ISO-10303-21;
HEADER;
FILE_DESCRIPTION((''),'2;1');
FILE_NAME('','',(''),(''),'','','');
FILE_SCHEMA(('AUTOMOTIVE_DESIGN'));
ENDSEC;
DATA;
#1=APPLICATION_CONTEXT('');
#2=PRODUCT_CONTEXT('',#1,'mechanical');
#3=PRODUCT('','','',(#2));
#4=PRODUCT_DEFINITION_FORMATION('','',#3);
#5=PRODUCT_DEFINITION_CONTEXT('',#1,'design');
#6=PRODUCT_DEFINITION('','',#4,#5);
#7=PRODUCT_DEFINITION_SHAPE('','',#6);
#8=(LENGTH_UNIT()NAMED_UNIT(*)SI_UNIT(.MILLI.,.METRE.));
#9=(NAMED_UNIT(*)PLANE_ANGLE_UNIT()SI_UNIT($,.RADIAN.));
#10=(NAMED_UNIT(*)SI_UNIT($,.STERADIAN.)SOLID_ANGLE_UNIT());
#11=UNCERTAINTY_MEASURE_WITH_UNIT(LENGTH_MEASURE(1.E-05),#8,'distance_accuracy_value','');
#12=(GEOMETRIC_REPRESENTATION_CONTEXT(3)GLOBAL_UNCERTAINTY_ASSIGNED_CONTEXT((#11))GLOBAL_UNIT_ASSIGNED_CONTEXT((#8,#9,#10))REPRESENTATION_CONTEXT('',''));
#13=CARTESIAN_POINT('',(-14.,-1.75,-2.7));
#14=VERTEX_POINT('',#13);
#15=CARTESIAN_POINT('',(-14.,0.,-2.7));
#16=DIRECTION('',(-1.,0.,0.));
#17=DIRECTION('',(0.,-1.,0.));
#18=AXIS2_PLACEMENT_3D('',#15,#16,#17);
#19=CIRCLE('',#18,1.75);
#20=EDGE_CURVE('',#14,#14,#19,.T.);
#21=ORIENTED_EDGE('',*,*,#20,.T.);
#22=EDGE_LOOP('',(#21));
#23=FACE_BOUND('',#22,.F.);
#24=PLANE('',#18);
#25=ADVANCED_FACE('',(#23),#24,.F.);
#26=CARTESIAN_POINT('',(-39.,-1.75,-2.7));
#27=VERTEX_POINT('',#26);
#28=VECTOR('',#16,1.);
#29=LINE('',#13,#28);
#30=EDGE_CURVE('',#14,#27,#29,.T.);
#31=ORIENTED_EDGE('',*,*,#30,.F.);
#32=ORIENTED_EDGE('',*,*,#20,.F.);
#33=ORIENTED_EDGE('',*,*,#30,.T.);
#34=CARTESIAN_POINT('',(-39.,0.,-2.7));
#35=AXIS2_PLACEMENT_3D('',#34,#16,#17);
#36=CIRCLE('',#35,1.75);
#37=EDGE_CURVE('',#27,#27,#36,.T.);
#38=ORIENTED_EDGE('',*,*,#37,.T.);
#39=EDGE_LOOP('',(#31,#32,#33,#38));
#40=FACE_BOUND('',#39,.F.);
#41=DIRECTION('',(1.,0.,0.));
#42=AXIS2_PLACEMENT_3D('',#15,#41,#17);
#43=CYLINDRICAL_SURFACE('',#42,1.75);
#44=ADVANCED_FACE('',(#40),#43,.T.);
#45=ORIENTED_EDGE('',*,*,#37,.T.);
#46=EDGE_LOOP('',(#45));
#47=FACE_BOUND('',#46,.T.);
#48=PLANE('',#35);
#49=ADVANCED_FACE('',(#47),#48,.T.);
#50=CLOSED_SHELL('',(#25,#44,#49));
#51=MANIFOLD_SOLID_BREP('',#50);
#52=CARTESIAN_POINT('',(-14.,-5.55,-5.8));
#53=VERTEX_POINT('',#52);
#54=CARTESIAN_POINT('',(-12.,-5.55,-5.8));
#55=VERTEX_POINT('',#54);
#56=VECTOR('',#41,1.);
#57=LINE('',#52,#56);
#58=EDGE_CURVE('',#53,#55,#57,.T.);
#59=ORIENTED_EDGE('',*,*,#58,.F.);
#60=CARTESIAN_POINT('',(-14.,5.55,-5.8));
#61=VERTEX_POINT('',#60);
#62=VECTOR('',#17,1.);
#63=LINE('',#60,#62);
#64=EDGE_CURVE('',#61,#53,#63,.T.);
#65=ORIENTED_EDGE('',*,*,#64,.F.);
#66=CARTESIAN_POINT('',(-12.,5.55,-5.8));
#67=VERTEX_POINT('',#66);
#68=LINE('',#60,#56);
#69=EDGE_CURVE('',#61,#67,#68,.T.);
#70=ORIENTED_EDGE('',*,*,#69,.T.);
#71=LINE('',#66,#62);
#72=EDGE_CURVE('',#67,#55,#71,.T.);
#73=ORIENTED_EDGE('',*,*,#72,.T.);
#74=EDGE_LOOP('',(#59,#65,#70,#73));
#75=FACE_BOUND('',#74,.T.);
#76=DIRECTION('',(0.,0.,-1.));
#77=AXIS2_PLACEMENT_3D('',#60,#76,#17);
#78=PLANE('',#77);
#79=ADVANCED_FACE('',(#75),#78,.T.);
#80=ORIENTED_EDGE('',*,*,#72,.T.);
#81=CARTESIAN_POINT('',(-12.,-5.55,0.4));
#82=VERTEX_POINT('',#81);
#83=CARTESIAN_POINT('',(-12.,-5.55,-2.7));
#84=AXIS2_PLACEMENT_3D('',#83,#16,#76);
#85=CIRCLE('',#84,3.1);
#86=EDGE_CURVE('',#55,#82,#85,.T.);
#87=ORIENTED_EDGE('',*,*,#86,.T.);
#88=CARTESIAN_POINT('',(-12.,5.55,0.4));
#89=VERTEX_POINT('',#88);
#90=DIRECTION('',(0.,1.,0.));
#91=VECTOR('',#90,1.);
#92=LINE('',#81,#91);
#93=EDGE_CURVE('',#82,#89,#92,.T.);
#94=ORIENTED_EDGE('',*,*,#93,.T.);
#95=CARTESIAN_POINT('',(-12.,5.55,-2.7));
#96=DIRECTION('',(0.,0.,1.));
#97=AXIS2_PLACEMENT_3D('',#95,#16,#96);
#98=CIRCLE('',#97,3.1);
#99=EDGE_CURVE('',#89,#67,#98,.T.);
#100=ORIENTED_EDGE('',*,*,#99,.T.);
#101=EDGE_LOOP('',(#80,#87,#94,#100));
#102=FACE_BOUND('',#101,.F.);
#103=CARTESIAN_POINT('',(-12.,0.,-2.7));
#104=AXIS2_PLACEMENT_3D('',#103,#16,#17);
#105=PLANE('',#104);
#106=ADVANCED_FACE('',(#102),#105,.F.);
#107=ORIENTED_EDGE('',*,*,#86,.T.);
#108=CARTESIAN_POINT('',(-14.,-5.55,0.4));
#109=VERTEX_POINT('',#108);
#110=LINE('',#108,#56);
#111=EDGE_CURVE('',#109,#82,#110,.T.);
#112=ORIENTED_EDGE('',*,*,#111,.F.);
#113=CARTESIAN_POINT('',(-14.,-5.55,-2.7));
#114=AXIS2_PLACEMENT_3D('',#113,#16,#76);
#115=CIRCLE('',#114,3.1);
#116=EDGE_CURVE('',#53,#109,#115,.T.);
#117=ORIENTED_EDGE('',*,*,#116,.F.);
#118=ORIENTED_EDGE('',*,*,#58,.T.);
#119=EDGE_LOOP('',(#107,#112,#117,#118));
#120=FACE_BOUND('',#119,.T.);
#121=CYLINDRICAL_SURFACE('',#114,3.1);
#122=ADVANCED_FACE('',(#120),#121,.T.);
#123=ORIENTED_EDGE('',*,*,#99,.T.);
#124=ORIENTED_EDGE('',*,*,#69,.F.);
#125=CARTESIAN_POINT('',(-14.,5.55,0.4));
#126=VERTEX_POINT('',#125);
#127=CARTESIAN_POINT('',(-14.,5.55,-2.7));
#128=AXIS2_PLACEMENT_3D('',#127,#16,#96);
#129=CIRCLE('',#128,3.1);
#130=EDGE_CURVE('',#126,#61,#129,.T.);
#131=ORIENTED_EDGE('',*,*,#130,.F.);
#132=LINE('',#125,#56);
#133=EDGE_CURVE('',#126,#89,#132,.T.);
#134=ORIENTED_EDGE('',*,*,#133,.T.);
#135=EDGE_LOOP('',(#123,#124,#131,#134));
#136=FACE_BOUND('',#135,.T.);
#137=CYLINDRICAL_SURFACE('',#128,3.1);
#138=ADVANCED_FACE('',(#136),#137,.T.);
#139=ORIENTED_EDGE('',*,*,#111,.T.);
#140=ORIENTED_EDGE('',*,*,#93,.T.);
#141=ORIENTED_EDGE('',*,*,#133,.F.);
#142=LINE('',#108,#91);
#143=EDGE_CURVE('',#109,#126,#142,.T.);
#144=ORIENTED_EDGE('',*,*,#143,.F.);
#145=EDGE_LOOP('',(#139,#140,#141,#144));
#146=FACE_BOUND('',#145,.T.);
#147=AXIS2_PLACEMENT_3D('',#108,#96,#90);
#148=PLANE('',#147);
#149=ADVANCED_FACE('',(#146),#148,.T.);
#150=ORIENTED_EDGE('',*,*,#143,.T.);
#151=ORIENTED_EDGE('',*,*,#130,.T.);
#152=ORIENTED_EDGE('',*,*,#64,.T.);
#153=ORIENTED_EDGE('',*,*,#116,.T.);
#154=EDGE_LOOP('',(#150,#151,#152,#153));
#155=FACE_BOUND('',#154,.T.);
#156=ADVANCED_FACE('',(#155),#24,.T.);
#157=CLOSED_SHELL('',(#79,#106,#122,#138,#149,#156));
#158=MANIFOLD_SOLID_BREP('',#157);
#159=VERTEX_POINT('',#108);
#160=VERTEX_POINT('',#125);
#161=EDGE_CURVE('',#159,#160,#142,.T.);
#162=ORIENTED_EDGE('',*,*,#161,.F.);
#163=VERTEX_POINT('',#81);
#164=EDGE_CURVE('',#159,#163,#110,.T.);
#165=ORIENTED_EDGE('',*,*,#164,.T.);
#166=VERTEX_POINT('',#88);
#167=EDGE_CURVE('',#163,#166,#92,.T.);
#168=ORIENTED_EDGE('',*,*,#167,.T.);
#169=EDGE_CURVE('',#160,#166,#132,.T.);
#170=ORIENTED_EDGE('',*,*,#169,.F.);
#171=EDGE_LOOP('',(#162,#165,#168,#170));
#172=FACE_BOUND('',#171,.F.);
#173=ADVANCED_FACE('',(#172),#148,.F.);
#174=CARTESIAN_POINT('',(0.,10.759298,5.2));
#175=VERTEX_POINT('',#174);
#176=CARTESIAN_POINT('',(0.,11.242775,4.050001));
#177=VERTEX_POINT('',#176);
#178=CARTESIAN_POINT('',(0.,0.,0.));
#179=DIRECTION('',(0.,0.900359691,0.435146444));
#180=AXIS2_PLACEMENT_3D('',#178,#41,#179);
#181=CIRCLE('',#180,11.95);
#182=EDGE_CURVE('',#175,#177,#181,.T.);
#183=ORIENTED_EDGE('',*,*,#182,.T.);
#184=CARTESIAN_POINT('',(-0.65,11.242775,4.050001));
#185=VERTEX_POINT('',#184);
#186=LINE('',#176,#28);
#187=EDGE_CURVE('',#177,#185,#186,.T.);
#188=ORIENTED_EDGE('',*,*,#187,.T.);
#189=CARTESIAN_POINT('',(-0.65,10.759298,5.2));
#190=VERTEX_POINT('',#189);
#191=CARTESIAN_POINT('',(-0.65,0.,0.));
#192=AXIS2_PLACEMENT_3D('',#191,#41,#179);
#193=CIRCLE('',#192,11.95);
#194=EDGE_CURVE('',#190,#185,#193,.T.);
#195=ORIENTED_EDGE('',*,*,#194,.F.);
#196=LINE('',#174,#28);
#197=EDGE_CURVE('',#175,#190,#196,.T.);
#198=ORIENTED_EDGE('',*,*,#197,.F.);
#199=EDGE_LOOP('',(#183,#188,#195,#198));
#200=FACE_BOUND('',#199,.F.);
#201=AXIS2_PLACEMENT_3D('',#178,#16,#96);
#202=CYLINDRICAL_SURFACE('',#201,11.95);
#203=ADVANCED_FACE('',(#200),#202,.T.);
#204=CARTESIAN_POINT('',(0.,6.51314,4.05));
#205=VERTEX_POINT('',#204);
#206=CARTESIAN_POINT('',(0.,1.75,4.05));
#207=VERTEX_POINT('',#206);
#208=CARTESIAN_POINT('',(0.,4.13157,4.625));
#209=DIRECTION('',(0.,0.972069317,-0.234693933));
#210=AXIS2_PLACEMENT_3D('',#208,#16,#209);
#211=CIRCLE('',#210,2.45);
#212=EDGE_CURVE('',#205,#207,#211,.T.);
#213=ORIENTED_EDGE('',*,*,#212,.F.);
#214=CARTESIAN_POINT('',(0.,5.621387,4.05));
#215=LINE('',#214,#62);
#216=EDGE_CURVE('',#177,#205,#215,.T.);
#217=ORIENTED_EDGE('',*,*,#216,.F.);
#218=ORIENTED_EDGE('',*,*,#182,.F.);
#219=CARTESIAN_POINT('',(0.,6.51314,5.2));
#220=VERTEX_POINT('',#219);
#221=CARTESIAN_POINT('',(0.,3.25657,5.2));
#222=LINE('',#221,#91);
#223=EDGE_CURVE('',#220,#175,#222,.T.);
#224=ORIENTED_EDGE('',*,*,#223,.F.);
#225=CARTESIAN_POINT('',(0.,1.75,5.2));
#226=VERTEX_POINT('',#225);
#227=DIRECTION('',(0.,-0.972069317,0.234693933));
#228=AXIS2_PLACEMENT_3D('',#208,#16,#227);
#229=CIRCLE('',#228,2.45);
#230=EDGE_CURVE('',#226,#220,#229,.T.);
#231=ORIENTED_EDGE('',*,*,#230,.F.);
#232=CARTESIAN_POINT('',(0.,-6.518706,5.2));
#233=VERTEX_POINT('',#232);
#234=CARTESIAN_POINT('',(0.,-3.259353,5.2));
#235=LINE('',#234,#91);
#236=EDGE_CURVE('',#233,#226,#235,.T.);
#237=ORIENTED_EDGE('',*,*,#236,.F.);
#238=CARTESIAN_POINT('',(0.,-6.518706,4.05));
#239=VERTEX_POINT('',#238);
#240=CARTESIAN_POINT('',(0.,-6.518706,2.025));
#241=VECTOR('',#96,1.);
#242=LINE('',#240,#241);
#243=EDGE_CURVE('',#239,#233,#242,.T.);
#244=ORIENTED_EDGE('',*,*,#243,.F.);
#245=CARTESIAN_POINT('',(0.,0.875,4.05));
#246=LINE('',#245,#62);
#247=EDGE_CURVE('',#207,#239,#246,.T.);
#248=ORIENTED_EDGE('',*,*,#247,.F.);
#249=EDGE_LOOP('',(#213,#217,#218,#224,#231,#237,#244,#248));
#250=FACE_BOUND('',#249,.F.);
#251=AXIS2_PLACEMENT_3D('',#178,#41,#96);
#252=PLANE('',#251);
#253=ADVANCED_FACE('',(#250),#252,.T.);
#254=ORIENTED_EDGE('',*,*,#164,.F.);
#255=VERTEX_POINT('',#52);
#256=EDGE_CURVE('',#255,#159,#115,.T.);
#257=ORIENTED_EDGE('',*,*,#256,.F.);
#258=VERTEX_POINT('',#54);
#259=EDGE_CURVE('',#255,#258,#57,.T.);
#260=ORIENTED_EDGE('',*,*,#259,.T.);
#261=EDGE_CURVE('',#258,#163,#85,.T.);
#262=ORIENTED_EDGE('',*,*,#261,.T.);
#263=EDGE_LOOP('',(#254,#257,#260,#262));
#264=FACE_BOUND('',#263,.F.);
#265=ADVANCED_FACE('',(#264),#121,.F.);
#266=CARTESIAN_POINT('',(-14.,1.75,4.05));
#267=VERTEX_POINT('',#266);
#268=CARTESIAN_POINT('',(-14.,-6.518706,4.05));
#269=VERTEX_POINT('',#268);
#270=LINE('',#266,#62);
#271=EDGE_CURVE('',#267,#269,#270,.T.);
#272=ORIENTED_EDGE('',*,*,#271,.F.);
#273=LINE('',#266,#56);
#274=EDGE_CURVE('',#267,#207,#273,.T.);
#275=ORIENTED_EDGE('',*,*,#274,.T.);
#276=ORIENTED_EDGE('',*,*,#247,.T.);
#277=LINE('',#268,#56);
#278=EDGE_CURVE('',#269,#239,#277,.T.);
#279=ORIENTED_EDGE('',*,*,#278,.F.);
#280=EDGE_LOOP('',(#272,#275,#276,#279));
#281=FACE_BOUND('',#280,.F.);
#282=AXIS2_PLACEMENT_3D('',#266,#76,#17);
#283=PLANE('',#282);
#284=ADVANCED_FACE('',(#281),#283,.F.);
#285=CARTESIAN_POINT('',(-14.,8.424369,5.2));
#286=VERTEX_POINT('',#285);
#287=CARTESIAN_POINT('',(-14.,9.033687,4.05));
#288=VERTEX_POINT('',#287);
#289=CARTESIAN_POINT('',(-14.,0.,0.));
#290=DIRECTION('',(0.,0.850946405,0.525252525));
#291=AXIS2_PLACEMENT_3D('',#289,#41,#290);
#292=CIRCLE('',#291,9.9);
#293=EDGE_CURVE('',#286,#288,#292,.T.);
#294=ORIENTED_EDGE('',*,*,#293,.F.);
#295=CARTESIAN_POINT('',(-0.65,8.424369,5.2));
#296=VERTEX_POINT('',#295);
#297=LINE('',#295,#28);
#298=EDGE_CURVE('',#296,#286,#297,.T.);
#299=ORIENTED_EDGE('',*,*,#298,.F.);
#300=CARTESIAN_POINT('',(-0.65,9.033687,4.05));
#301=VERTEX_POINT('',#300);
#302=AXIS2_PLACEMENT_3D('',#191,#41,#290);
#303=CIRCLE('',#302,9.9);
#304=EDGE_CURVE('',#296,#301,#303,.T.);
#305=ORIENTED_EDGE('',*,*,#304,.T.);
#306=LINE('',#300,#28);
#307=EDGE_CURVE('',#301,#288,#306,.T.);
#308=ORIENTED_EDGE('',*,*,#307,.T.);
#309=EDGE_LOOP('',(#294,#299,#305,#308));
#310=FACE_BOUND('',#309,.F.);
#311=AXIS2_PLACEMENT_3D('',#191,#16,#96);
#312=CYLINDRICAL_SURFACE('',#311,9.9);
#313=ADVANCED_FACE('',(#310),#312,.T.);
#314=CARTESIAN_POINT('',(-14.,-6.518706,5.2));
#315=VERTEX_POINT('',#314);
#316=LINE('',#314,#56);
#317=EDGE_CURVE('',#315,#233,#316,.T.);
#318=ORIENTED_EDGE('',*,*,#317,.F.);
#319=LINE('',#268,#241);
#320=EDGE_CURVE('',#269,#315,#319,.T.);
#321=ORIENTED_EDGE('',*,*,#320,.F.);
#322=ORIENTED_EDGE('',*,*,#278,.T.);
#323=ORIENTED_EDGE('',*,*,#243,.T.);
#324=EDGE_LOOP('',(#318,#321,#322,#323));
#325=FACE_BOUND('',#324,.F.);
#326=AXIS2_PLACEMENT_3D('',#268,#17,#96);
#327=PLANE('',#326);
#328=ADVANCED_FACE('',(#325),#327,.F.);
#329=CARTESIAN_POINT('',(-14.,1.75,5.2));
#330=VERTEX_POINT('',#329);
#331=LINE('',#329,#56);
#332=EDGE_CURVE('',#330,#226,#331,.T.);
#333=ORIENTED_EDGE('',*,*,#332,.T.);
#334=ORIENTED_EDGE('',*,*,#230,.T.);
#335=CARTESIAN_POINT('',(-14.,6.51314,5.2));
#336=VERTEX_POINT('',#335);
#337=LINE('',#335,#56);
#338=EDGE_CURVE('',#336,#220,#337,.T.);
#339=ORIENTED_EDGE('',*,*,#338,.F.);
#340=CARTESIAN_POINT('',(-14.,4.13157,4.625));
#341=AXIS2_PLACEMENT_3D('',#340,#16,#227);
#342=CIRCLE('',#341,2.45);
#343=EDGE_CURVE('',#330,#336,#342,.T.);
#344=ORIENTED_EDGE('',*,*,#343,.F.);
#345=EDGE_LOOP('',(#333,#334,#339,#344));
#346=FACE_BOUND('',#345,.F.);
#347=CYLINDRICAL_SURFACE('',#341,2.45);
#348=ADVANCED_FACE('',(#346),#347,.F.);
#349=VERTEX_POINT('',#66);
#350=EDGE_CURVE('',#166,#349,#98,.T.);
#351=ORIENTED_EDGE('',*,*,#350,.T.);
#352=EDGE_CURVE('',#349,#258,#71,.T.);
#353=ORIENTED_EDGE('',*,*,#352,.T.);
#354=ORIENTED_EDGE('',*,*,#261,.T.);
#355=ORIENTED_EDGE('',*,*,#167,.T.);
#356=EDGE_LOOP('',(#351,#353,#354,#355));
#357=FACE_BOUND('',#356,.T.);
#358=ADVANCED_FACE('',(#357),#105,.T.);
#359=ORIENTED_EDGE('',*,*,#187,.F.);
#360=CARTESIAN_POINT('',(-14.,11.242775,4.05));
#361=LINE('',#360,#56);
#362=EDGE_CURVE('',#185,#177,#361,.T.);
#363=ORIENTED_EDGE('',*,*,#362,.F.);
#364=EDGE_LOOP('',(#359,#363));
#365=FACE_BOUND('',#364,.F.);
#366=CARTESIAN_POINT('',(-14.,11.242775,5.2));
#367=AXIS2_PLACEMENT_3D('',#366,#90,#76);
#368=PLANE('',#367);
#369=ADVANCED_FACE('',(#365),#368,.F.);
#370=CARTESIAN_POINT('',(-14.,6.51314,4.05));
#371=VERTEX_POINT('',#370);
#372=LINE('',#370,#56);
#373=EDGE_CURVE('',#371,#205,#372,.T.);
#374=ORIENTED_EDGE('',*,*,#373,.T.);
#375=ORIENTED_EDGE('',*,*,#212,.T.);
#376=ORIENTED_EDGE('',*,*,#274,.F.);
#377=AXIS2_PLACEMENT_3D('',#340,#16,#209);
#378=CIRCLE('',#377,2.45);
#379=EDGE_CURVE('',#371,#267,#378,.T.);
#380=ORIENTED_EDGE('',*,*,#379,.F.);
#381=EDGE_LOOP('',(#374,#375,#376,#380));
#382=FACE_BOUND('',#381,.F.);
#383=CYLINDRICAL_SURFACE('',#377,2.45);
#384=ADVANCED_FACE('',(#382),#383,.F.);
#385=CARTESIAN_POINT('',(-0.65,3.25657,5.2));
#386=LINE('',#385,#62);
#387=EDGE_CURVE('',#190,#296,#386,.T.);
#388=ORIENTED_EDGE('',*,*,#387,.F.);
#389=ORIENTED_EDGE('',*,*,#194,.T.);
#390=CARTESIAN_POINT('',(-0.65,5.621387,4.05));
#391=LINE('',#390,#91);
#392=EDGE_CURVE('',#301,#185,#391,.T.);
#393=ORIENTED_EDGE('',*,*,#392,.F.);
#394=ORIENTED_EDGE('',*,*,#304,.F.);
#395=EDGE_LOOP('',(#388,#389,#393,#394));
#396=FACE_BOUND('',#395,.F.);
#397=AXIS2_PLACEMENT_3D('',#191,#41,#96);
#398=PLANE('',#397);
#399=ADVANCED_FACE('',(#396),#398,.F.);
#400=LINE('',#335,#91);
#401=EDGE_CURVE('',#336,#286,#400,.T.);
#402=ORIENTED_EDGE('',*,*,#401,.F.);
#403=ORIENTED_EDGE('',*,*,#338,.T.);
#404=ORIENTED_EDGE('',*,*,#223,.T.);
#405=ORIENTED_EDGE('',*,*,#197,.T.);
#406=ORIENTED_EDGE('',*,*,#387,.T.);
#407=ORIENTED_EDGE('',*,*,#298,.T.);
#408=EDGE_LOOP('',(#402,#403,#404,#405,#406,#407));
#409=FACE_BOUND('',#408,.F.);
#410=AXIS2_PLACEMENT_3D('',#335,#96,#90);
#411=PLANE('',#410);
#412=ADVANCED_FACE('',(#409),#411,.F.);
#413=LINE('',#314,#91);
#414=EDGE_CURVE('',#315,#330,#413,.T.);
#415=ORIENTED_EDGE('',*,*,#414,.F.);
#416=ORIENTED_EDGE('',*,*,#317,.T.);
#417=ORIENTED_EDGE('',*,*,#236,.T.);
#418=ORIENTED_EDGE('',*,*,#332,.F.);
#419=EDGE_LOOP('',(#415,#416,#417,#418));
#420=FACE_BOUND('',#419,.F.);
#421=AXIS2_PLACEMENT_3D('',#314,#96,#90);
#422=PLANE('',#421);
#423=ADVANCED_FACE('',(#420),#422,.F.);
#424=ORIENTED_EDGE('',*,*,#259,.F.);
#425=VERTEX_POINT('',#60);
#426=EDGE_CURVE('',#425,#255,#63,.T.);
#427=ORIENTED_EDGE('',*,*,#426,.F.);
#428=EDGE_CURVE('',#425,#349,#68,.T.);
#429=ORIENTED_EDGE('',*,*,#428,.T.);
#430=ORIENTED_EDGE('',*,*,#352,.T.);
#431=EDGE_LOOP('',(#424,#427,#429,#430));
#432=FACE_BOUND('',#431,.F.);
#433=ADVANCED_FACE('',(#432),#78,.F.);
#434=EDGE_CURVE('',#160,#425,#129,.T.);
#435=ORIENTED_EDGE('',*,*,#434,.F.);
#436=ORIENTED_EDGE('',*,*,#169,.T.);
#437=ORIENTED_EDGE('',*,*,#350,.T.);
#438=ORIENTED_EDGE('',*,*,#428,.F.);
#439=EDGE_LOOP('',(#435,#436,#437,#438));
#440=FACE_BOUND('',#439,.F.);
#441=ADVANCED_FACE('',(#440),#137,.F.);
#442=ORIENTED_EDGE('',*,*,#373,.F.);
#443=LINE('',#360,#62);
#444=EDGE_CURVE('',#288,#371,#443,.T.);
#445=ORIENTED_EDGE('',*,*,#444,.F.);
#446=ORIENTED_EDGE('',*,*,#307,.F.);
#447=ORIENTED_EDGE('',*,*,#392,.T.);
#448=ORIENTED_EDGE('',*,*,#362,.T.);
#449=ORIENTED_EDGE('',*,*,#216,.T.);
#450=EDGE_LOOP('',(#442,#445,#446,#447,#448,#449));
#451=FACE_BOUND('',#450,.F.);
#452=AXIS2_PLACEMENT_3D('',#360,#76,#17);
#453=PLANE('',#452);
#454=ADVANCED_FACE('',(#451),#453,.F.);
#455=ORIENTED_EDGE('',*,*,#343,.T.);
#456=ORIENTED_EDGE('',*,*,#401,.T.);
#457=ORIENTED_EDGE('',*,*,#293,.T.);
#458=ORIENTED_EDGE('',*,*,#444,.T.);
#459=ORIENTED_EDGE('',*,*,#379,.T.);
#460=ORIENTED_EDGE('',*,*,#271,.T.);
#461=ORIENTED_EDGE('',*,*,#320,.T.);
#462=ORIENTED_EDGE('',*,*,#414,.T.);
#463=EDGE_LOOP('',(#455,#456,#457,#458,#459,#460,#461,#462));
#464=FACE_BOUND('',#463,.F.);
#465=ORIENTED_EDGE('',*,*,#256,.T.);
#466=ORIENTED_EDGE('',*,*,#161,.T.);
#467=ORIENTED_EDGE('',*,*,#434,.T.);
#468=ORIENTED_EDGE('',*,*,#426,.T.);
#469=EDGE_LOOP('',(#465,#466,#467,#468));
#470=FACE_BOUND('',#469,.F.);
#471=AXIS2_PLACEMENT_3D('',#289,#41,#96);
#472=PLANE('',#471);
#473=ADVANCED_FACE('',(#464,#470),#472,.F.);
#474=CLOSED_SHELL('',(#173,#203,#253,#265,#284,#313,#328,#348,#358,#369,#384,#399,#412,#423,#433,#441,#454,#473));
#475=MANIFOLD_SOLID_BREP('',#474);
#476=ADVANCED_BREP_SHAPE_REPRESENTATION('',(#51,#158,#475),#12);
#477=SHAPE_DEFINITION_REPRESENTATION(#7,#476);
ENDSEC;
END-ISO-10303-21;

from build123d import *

# Parameters (mm, degrees)
F3_DEPTH = 14.001
F4_DEPTH = 14.001
F6_DEPTH = 2
F7_DEPTH = 2
F8_R     = 1.75
F9_DEPTH = 25


with BuildPart() as f1:
    # F0 (on Front) → F1 (revolve)
    with BuildSketch(Plane.XZ):
        Polygon((-14, 0), (0, 0), (0, 11.95), (-0.65, 11.95), (-0.65, 9.9), (-14, 9.9), align=None)
    revolve(axis=Axis((-7, 0, 0), (1, 0, 0)))

    # F2 (on face) → F3 (cut, through all)
    with BuildSketch(Plane(origin=(-14, 0, 0), x_dir=(0, -1, 0), z_dir=(-1, 0, 0))):
        with BuildLine():
            Line((6.518706, 5.2), (-1.75, 5.2))
            ThreePointArc((-1.75, 5.2), (-4.13157, 7.075), (-6.51314, 5.2))
            Line((-6.51314, 5.2), (-11.242775, 5.2))
            Line((-11.242775, 5.2), (-11.242775, 4.05))
            Line((-11.242775, 4.05), (-6.51314, 4.05))
            ThreePointArc((-6.51314, 4.05), (-4.13157, 2.175), (-1.75, 4.05))
            Line((-1.75, 4.05), (6.518706, 4.05))
            Line((6.518706, 4.05), (6.518706, 5.2))
        make_face()
    extrude(amount=-F3_DEPTH, mode=Mode.SUBTRACT)

    # F2 (on face) → F4 (cut, through all)
    with BuildSketch(Plane(origin=(-14, 0, 0), x_dir=(0, -1, 0), z_dir=(-1, 0, 0))):
        with BuildLine():
            Line((6.518706, 5.2), (-1.75, 5.2))
            ThreePointArc((-1.75, 5.2), (-4.13157, 7.075), (-6.51314, 5.2))
            Line((-6.51314, 5.2), (-11.242775, 5.2))
            Line((-11.242775, 5.2), (-11.242775, 4.05))
            Line((-11.242775, 4.05), (-6.51314, 4.05))
            ThreePointArc((-6.51314, 4.05), (-4.13157, 2.175), (-1.75, 4.05))
            Line((-1.75, 4.05), (6.518706, 4.05))
            Line((6.518706, 4.05), (6.518706, 5.2))
        make_face()
    extrude(amount=-F4_DEPTH, mode=Mode.SUBTRACT)

    # F5 (on face) → F6 (cut)
    with BuildSketch(Plane(origin=(-14, 0, 0), x_dir=(0, -1, 0), z_dir=(-1, 0, 0))):
        with BuildLine():
            ThreePointArc((5.55, -5.8), (8.65, -2.7), (5.55, 0.4))
            Line((5.55, 0.4), (-5.55, 0.4))
            ThreePointArc((-5.55, 0.4), (-8.65, -2.7), (-5.55, -5.8))
            Line((-5.55, -5.8), (5.55, -5.8))
        make_face()
    extrude(amount=-F6_DEPTH, mode=Mode.SUBTRACT)


with BuildPart() as f7:
    # F5 (on face) → F7 (new body, through all)
    with BuildSketch(Plane(origin=(-14, 0, 0), x_dir=(0, -1, 0), z_dir=(-1, 0, 0))):
        with BuildLine():
            ThreePointArc((5.55, -5.8), (8.65, -2.7), (5.55, 0.4))
            Line((5.55, 0.4), (-5.55, 0.4))
            ThreePointArc((-5.55, 0.4), (-8.65, -2.7), (-5.55, -5.8))
            Line((-5.55, -5.8), (5.55, -5.8))
        make_face()
    extrude(amount=-F7_DEPTH)


with BuildPart() as f9:
    # F8 (on face) → F9 (new body)
    with BuildSketch(Plane(origin=(-14, 0, 0), x_dir=(0, -1, 0), z_dir=(-1, 0, 0))):
        with Locations((0, -2.7)):
            Circle(F8_R)
    extrude(amount=F9_DEPTH)


solid = Compound([f1.part, f7.part, f9.part])
